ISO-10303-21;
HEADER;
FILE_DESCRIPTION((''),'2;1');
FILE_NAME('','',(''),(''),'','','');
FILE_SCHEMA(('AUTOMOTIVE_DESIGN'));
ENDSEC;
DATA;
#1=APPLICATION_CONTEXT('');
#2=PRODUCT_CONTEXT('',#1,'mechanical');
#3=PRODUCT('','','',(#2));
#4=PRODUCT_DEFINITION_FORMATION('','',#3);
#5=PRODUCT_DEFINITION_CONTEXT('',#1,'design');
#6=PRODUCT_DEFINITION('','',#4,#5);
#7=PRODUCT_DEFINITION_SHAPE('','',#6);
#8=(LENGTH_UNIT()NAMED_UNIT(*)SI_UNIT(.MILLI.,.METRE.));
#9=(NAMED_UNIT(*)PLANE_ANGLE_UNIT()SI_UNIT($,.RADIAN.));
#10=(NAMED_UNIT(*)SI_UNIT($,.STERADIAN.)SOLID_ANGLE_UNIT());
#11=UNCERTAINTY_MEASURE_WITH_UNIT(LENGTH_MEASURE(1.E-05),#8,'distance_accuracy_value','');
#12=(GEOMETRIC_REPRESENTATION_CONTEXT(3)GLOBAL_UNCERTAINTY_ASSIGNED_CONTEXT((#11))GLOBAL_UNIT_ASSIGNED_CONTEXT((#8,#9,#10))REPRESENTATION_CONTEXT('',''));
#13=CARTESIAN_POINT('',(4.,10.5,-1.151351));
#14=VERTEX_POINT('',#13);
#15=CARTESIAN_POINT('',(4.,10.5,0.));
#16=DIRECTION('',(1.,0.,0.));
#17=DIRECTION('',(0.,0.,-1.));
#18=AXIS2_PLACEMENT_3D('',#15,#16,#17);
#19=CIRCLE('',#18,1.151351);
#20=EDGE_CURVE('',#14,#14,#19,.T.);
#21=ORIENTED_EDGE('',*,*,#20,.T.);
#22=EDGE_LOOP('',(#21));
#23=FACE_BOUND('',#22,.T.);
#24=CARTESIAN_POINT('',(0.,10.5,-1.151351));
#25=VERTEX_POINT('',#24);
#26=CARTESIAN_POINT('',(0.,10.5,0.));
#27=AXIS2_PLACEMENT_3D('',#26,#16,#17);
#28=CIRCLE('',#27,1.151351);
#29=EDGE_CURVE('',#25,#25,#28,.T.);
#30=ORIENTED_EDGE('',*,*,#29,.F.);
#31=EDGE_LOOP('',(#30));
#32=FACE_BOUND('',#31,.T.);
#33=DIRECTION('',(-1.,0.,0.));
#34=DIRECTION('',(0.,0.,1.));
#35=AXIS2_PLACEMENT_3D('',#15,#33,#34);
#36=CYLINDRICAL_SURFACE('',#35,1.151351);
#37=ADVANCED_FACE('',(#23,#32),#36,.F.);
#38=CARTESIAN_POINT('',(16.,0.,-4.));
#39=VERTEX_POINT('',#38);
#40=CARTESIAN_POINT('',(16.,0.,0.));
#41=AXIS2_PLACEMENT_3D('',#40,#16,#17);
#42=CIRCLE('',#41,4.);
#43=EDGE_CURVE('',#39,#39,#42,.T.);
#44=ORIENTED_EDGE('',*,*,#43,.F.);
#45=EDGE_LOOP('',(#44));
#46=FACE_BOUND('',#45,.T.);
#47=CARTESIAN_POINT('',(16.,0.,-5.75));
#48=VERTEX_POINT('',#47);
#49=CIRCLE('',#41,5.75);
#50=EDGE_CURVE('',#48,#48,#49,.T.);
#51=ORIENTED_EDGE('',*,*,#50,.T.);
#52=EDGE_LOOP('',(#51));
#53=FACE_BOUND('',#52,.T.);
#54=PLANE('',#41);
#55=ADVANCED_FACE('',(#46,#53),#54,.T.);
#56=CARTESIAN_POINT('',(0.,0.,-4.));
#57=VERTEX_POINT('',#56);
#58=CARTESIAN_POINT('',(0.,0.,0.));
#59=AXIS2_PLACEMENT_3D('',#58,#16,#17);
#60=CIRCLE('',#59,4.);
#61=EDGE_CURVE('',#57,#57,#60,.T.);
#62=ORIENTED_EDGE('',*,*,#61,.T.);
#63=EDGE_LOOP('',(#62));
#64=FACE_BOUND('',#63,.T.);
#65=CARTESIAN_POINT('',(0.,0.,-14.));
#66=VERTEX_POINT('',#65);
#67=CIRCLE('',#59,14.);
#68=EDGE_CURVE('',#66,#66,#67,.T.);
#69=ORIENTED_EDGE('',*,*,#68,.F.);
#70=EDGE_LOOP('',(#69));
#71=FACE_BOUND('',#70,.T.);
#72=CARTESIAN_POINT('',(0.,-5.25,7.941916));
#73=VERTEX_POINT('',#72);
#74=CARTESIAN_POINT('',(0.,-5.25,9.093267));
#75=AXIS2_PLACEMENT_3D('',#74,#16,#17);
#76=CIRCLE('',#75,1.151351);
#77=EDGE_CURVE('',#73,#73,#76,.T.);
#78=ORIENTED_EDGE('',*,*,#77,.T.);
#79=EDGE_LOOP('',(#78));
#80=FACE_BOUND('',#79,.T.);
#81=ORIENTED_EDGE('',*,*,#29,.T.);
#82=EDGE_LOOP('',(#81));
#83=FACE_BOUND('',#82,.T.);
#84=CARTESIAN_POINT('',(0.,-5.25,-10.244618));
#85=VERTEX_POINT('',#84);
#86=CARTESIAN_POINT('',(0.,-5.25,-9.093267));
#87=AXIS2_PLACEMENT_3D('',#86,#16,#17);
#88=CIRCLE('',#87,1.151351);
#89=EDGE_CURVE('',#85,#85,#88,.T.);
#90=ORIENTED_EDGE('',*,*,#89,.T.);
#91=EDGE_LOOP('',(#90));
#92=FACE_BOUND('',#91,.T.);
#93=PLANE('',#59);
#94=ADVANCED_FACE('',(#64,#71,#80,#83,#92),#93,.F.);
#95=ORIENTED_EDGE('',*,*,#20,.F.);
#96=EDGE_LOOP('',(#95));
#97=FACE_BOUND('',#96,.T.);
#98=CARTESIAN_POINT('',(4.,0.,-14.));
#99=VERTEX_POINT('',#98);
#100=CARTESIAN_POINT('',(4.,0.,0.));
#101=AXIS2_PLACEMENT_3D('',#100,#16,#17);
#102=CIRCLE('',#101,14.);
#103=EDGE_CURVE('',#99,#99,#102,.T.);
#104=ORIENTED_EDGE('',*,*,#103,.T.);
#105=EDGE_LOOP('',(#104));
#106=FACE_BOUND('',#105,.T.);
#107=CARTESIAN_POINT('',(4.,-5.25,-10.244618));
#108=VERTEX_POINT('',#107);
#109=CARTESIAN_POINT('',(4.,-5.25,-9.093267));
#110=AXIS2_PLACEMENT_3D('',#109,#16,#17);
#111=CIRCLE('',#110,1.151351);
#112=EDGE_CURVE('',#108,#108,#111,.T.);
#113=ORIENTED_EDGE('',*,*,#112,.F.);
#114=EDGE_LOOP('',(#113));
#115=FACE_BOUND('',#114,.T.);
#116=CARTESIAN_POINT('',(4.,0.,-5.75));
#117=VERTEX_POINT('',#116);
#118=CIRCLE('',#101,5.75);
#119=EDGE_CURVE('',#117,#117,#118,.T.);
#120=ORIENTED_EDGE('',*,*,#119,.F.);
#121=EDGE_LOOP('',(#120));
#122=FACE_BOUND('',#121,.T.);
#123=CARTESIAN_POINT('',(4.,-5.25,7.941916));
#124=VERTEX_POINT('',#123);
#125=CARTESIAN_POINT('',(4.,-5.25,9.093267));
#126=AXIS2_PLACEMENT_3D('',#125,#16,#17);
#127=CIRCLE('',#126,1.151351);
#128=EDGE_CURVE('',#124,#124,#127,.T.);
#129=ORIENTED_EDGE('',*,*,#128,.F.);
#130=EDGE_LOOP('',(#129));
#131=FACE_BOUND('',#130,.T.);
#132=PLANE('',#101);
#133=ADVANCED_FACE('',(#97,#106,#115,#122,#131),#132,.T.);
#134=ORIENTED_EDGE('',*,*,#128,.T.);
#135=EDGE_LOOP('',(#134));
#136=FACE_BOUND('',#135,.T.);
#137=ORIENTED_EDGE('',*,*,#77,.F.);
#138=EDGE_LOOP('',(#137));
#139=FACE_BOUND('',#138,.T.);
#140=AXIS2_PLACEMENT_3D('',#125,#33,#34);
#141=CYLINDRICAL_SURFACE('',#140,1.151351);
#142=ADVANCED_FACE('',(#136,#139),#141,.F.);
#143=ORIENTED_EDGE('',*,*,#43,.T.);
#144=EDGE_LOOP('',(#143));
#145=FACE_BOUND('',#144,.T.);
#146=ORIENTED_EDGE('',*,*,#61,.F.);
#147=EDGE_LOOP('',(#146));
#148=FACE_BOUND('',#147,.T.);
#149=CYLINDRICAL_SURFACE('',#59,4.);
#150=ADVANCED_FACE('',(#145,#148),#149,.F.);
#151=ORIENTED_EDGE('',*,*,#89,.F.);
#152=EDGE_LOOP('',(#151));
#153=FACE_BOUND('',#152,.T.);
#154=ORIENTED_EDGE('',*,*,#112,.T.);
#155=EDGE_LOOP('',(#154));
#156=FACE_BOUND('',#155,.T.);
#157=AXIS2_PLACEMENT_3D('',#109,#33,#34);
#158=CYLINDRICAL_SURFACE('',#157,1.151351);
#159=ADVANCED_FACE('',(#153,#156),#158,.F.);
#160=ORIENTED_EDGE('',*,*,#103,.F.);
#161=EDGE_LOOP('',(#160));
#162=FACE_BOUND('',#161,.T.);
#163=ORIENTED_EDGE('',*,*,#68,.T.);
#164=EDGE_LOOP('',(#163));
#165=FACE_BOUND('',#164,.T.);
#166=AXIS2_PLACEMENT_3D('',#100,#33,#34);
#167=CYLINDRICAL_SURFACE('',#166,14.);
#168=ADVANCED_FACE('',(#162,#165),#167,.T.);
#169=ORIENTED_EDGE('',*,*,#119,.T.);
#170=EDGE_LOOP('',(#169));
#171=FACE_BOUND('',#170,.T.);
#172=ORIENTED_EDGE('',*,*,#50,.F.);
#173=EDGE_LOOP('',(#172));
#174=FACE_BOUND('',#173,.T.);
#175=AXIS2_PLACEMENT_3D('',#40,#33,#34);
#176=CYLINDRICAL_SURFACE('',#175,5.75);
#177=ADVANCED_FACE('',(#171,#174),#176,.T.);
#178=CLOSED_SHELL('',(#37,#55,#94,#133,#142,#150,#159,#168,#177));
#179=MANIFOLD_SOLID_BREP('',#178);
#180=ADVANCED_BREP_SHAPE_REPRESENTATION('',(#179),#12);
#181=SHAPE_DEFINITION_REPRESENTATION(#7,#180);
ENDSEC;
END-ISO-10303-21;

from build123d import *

# Parameters (mm, degrees)
SKETCH_1_R          = 14
SKETCH_1_R_2        = 1.151350939
EXTRUDE_1_DEPTH     = 4
SKETCH_2_R          = 5.75
EXTRUDE_2_DEPTH     = 12
SKETCH_3_R          = 4
CUT_EXTRUDE_1_DEPTH = 16


with BuildPart() as part:
    # ｽｹｯﾁ1 → ﾎﾞｽ - 押し出し1 (new body)
    with BuildSketch(Plane(origin=(0, 0, 0), x_dir=(0, 0, -1), z_dir=(1, 0, 0))):
        Circle(SKETCH_1_R)
        with Locations((0, 10.5)):
            Circle(SKETCH_1_R_2, mode=Mode.SUBTRACT)
        with Locations((9.09326674, -5.25)):
            Circle(SKETCH_1_R_2, mode=Mode.SUBTRACT)
        with Locations((-9.09326674, -5.25)):
            Circle(SKETCH_1_R_2, mode=Mode.SUBTRACT)
    extrude(amount=EXTRUDE_1_DEPTH)

    # ｽｹｯﾁ2 → ﾎﾞｽ - 押し出し2 (add)
    with BuildSketch(Plane(origin=(4, 0, 0), x_dir=(0, 0, -1), z_dir=(1, 0, 0))):
        Circle(SKETCH_2_R)
    extrude(amount=EXTRUDE_2_DEPTH)

    # ｽｹｯﾁ3 → ｶｯﾄ - 押し出し1 (cut)
    with BuildSketch(Plane(origin=(16, 0, 0), x_dir=(0, 0, -1), z_dir=(1, 0, 0))):
        Circle(SKETCH_3_R)
    extrude(amount=-CUT_EXTRUDE_1_DEPTH, mode=Mode.SUBTRACT)


solid = part.part
